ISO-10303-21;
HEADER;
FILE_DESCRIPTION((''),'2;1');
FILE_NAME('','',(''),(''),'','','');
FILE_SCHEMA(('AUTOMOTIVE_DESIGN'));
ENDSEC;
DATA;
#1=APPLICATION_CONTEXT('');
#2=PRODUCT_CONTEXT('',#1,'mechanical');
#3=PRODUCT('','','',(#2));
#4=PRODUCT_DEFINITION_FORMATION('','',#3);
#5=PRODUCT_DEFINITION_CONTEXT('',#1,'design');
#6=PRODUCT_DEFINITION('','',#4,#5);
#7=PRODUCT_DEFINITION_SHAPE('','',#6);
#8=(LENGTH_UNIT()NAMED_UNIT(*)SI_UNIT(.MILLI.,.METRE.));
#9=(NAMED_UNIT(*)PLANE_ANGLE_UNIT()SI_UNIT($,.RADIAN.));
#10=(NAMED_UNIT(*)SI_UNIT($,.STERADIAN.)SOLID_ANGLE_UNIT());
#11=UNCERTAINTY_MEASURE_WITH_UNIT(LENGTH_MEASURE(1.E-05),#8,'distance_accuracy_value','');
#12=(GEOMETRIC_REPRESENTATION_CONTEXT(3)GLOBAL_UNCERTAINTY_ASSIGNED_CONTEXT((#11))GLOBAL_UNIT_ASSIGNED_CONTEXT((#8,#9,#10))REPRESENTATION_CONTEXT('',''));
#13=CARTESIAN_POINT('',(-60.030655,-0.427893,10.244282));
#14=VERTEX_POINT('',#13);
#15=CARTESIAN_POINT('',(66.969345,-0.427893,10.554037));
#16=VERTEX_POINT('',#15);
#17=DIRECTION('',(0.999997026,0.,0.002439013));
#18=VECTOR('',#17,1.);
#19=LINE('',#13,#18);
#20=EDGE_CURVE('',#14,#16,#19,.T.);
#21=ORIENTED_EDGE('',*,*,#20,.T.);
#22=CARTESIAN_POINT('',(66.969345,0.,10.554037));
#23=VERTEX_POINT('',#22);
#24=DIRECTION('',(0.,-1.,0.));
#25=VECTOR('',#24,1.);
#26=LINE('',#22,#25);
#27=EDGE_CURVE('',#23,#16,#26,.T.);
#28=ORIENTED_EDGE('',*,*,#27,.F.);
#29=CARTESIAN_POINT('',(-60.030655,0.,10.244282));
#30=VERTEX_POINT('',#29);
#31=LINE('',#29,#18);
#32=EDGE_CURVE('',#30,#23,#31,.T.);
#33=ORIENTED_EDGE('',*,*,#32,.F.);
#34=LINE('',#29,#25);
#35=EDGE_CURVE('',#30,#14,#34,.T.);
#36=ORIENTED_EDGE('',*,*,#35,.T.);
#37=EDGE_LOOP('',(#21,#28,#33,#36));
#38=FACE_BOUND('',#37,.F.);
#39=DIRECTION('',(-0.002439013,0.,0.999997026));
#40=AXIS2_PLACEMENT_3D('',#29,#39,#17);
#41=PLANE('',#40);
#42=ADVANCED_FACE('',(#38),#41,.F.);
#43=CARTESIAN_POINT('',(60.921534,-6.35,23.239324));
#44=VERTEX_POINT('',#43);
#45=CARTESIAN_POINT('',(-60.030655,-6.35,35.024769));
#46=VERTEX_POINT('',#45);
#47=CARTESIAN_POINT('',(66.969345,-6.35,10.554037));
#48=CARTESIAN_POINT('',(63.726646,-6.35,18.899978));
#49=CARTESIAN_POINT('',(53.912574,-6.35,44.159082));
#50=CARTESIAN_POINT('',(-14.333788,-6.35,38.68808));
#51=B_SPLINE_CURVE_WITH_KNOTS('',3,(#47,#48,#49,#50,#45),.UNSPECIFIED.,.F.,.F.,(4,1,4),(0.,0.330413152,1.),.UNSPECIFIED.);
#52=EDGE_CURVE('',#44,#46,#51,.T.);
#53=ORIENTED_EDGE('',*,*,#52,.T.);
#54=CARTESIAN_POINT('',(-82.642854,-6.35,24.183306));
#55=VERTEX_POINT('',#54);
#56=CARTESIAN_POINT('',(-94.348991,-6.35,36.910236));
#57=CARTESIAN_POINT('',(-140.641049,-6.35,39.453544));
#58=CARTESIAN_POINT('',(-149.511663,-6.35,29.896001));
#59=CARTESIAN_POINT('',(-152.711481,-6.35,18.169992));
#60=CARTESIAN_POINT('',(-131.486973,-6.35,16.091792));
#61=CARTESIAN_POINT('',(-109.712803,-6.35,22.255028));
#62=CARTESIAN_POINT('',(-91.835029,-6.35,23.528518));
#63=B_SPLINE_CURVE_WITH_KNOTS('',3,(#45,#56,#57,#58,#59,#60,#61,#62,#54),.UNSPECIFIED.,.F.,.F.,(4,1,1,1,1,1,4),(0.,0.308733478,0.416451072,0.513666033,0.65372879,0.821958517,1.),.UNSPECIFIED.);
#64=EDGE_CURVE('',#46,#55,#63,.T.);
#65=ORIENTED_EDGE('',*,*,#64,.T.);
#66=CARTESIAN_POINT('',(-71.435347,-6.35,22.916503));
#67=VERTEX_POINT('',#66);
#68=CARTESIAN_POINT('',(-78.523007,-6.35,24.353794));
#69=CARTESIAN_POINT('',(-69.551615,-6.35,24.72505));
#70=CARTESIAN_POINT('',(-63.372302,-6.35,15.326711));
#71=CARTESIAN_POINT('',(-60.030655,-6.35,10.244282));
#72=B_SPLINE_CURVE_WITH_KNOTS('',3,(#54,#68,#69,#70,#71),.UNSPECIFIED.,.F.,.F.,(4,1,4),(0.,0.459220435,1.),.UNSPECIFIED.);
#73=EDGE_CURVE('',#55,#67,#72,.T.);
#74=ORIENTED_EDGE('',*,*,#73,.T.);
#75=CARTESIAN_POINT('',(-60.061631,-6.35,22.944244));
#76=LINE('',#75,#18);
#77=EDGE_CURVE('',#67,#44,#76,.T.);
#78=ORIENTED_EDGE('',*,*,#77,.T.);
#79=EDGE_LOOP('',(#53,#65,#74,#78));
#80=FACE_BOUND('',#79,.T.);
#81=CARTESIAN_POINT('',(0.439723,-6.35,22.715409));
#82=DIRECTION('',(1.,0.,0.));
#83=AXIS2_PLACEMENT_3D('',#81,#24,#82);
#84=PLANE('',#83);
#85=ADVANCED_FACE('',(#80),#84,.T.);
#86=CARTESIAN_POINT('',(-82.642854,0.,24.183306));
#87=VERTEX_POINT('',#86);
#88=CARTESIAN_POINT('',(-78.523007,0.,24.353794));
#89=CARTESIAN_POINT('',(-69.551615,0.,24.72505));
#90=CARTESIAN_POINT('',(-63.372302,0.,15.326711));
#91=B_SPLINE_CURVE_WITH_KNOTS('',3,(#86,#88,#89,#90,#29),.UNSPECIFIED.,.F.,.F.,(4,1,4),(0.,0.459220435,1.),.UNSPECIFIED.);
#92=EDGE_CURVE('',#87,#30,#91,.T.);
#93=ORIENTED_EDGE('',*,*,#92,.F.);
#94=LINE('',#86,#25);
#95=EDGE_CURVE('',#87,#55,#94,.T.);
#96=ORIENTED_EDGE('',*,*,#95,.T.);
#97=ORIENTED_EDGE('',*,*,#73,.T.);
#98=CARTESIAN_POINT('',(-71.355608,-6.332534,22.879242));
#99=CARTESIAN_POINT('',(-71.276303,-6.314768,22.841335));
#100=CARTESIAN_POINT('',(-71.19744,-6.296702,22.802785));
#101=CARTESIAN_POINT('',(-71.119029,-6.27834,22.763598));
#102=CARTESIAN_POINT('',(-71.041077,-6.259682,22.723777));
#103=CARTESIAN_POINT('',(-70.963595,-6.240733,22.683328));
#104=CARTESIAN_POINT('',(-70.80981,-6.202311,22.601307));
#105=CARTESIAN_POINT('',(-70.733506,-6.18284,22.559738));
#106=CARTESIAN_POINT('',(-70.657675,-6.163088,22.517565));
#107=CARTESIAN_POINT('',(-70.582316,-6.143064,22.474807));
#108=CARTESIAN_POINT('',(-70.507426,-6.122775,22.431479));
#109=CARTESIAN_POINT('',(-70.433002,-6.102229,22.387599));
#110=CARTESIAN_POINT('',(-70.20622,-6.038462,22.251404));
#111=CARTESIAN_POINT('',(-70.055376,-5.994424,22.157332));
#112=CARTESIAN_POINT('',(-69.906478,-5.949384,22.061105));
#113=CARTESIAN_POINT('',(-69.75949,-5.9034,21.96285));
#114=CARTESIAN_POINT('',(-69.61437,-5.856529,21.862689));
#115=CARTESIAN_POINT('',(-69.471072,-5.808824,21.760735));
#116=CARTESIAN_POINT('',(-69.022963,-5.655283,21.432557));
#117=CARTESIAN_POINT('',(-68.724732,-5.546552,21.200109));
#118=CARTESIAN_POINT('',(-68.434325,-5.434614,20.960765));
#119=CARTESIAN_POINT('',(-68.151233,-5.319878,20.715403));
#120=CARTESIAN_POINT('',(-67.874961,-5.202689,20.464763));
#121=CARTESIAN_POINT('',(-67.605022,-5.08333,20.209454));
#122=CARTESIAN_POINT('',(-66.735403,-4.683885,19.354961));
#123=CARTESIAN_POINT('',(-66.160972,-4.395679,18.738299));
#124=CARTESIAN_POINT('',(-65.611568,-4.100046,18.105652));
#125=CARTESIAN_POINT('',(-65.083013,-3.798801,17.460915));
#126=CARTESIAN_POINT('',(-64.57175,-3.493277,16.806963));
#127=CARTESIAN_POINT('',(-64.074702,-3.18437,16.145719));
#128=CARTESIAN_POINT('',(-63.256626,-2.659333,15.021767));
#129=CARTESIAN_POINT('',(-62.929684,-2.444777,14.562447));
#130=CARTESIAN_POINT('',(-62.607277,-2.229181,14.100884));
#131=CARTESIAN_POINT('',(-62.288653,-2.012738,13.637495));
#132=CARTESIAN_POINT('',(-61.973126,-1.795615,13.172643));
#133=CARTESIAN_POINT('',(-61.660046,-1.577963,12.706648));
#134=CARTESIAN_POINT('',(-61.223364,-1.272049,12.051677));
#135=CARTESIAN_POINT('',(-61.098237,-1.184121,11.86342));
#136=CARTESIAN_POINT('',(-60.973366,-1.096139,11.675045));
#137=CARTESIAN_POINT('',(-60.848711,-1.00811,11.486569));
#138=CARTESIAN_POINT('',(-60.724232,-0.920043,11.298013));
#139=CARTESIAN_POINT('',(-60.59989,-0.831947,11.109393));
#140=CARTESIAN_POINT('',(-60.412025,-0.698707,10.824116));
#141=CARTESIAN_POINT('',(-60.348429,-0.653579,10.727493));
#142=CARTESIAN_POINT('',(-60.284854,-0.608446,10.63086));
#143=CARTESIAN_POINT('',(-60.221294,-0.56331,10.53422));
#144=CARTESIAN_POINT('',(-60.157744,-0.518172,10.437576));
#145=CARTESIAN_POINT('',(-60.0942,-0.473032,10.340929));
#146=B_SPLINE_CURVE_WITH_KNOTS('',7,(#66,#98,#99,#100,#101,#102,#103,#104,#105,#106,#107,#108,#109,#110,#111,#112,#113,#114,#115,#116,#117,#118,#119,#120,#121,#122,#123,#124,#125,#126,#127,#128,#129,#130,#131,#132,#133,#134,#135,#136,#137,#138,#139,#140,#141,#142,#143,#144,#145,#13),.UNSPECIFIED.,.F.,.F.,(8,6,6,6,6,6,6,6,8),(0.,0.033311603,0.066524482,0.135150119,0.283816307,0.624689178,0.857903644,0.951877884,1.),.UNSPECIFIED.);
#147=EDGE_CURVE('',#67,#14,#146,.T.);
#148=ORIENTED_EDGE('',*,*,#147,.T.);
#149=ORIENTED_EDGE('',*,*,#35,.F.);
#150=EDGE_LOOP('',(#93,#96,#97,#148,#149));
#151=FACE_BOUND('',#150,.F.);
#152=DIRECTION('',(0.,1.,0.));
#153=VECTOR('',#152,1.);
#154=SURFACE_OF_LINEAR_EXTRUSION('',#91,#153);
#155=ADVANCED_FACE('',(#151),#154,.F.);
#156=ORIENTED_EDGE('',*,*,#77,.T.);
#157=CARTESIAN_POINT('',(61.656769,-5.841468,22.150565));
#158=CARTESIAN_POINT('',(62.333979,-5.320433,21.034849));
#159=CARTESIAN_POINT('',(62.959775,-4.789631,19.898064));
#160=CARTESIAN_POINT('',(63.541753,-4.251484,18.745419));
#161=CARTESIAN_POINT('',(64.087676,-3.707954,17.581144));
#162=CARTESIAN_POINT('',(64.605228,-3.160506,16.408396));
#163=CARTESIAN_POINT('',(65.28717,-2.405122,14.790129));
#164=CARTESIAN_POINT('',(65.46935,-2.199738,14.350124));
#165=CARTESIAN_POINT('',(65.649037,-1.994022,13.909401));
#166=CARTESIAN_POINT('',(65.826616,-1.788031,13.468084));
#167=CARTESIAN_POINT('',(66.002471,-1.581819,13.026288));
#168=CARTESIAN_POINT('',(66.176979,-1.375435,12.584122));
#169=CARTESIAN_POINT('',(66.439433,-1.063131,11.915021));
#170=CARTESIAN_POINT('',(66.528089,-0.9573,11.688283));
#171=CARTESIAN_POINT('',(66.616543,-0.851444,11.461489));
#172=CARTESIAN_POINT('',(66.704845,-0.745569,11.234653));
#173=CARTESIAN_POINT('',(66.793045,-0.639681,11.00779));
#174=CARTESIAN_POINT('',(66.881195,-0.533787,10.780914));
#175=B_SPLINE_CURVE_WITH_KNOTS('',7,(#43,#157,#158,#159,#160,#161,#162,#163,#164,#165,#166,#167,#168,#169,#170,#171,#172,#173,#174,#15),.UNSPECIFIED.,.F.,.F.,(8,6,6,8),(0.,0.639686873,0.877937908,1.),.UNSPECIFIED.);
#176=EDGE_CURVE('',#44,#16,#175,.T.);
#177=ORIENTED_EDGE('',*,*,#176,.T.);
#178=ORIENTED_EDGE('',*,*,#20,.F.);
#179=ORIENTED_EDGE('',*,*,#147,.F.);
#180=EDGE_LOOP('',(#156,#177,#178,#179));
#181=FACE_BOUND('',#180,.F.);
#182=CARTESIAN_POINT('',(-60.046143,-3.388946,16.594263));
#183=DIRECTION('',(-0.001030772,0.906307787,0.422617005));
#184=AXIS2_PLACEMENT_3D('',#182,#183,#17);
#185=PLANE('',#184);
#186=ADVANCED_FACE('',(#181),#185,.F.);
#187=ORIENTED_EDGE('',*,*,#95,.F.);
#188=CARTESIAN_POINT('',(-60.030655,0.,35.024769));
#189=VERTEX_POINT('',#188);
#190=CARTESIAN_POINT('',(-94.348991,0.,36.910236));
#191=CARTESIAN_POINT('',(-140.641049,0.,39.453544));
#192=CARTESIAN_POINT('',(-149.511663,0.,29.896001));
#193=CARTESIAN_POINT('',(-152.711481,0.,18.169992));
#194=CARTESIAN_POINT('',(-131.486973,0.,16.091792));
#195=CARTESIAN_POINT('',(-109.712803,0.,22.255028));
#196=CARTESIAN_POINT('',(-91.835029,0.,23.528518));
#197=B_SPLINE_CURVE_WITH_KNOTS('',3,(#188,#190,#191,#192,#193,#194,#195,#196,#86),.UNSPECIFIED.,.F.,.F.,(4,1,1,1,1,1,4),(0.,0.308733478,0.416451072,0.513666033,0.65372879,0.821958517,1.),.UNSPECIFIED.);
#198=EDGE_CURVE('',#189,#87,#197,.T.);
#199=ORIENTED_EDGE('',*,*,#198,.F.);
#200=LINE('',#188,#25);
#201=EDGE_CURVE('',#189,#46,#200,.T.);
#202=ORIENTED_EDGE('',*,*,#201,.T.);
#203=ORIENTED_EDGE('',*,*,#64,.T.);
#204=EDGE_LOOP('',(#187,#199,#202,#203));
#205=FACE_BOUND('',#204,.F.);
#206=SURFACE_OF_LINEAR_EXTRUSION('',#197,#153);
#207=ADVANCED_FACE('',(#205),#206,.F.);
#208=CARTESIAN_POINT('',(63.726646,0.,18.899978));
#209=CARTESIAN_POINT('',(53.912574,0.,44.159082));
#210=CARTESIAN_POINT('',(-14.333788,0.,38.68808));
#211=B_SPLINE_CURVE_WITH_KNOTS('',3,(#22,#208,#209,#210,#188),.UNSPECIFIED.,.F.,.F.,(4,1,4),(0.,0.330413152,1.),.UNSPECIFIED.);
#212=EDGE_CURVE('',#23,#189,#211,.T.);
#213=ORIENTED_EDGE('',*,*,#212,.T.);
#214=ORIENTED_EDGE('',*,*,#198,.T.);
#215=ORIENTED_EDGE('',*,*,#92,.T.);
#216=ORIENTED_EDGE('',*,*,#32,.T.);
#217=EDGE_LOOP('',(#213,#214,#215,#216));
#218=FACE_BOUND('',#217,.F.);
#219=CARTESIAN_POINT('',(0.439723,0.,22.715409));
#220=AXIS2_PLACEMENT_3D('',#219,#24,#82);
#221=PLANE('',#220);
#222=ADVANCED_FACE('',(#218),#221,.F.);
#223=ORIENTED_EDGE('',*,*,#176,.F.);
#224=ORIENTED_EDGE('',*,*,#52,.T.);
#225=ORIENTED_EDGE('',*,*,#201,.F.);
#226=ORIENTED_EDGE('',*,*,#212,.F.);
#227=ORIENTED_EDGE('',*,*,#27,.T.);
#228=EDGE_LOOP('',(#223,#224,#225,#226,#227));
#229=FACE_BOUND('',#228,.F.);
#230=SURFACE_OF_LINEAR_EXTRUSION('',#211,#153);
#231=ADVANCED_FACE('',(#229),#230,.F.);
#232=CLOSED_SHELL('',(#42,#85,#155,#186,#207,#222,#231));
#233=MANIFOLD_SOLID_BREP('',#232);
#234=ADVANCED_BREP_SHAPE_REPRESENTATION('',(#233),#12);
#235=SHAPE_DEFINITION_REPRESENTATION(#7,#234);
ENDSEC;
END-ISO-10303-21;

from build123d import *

# Parameters (mm, degrees)
F1_DEPTH = 6.35
F2_SIZE2 = 5.9221072586
F2_SIZE  = 12.7


with BuildPart() as f1:
    # F0 (on Front) → F1 (new body)
    with BuildSketch(Plane.XZ):
        with BuildLine():
            Line((-60.0306552672, 10.2442815062), (66.9693447328, 10.5540371328))
            add(Edge.make_bspline(
                [(66.9693447328, 10.5540371328), (63.7266462136, 18.8999775673), (53.9125740525, 44.1590823507), (-14.3337884972, 38.6880804275), (-60.0306552672, 35.0247694957)],
                knots=[0, 0, 0, 0, 0.3304131523, 1, 1, 1, 1], degree=3))
            Line((-60.0306552672, 35.0247694957), (-60.0306552672, 10.2442815062))
        make_face()
        with BuildLine():
            Line((-60.0306552672, 10.2442815062), (-60.0306552672, 35.0247694957))
            add(Edge.make_bspline(
                [(-60.0306552672, 35.0247694957), (-94.3489914584, 36.9102358022), (-140.6410488499, 39.4535442535), (-149.5116634214, 29.8960012608), (-152.7114808696, 18.1699920146), (-131.4869733853, 16.0917918316), (-109.7128033392, 22.255028398), (-91.8350287089, 23.528518176), (-82.6428538703, 24.1833055271)],
                knots=[0, 0, 0, 0, 0.3087334785, 0.4164510722, 0.5136660335, 0.6537287899, 0.8219585172, 1, 1, 1, 1], degree=3))
            add(Edge.make_bspline(
                [(-82.6428538703, 24.1833055271), (-78.5230073647, 24.353794054), (-69.5516154259, 24.7250504572), (-63.3723018025, 15.3267112809), (-60.0306552672, 10.2442815062)],
                knots=[0, 0, 0, 0, 0.4592204347, 1, 1, 1, 1], degree=3))
        make_face()
    extrude(amount=F1_DEPTH)

    # F2
    f2_edges = [f1.edges().sort_by_distance(p)[0] for p in [
        (3.469345, -6.35, 10.399159),
    ]]
    f2_side = f1.faces().sort_by_distance((-32.6609, -6.35, 24.888305))[0]
    chamfer(f2_edges, length=F2_SIZE, length2=F2_SIZE2, reference=f2_side)


solid = f1.part
